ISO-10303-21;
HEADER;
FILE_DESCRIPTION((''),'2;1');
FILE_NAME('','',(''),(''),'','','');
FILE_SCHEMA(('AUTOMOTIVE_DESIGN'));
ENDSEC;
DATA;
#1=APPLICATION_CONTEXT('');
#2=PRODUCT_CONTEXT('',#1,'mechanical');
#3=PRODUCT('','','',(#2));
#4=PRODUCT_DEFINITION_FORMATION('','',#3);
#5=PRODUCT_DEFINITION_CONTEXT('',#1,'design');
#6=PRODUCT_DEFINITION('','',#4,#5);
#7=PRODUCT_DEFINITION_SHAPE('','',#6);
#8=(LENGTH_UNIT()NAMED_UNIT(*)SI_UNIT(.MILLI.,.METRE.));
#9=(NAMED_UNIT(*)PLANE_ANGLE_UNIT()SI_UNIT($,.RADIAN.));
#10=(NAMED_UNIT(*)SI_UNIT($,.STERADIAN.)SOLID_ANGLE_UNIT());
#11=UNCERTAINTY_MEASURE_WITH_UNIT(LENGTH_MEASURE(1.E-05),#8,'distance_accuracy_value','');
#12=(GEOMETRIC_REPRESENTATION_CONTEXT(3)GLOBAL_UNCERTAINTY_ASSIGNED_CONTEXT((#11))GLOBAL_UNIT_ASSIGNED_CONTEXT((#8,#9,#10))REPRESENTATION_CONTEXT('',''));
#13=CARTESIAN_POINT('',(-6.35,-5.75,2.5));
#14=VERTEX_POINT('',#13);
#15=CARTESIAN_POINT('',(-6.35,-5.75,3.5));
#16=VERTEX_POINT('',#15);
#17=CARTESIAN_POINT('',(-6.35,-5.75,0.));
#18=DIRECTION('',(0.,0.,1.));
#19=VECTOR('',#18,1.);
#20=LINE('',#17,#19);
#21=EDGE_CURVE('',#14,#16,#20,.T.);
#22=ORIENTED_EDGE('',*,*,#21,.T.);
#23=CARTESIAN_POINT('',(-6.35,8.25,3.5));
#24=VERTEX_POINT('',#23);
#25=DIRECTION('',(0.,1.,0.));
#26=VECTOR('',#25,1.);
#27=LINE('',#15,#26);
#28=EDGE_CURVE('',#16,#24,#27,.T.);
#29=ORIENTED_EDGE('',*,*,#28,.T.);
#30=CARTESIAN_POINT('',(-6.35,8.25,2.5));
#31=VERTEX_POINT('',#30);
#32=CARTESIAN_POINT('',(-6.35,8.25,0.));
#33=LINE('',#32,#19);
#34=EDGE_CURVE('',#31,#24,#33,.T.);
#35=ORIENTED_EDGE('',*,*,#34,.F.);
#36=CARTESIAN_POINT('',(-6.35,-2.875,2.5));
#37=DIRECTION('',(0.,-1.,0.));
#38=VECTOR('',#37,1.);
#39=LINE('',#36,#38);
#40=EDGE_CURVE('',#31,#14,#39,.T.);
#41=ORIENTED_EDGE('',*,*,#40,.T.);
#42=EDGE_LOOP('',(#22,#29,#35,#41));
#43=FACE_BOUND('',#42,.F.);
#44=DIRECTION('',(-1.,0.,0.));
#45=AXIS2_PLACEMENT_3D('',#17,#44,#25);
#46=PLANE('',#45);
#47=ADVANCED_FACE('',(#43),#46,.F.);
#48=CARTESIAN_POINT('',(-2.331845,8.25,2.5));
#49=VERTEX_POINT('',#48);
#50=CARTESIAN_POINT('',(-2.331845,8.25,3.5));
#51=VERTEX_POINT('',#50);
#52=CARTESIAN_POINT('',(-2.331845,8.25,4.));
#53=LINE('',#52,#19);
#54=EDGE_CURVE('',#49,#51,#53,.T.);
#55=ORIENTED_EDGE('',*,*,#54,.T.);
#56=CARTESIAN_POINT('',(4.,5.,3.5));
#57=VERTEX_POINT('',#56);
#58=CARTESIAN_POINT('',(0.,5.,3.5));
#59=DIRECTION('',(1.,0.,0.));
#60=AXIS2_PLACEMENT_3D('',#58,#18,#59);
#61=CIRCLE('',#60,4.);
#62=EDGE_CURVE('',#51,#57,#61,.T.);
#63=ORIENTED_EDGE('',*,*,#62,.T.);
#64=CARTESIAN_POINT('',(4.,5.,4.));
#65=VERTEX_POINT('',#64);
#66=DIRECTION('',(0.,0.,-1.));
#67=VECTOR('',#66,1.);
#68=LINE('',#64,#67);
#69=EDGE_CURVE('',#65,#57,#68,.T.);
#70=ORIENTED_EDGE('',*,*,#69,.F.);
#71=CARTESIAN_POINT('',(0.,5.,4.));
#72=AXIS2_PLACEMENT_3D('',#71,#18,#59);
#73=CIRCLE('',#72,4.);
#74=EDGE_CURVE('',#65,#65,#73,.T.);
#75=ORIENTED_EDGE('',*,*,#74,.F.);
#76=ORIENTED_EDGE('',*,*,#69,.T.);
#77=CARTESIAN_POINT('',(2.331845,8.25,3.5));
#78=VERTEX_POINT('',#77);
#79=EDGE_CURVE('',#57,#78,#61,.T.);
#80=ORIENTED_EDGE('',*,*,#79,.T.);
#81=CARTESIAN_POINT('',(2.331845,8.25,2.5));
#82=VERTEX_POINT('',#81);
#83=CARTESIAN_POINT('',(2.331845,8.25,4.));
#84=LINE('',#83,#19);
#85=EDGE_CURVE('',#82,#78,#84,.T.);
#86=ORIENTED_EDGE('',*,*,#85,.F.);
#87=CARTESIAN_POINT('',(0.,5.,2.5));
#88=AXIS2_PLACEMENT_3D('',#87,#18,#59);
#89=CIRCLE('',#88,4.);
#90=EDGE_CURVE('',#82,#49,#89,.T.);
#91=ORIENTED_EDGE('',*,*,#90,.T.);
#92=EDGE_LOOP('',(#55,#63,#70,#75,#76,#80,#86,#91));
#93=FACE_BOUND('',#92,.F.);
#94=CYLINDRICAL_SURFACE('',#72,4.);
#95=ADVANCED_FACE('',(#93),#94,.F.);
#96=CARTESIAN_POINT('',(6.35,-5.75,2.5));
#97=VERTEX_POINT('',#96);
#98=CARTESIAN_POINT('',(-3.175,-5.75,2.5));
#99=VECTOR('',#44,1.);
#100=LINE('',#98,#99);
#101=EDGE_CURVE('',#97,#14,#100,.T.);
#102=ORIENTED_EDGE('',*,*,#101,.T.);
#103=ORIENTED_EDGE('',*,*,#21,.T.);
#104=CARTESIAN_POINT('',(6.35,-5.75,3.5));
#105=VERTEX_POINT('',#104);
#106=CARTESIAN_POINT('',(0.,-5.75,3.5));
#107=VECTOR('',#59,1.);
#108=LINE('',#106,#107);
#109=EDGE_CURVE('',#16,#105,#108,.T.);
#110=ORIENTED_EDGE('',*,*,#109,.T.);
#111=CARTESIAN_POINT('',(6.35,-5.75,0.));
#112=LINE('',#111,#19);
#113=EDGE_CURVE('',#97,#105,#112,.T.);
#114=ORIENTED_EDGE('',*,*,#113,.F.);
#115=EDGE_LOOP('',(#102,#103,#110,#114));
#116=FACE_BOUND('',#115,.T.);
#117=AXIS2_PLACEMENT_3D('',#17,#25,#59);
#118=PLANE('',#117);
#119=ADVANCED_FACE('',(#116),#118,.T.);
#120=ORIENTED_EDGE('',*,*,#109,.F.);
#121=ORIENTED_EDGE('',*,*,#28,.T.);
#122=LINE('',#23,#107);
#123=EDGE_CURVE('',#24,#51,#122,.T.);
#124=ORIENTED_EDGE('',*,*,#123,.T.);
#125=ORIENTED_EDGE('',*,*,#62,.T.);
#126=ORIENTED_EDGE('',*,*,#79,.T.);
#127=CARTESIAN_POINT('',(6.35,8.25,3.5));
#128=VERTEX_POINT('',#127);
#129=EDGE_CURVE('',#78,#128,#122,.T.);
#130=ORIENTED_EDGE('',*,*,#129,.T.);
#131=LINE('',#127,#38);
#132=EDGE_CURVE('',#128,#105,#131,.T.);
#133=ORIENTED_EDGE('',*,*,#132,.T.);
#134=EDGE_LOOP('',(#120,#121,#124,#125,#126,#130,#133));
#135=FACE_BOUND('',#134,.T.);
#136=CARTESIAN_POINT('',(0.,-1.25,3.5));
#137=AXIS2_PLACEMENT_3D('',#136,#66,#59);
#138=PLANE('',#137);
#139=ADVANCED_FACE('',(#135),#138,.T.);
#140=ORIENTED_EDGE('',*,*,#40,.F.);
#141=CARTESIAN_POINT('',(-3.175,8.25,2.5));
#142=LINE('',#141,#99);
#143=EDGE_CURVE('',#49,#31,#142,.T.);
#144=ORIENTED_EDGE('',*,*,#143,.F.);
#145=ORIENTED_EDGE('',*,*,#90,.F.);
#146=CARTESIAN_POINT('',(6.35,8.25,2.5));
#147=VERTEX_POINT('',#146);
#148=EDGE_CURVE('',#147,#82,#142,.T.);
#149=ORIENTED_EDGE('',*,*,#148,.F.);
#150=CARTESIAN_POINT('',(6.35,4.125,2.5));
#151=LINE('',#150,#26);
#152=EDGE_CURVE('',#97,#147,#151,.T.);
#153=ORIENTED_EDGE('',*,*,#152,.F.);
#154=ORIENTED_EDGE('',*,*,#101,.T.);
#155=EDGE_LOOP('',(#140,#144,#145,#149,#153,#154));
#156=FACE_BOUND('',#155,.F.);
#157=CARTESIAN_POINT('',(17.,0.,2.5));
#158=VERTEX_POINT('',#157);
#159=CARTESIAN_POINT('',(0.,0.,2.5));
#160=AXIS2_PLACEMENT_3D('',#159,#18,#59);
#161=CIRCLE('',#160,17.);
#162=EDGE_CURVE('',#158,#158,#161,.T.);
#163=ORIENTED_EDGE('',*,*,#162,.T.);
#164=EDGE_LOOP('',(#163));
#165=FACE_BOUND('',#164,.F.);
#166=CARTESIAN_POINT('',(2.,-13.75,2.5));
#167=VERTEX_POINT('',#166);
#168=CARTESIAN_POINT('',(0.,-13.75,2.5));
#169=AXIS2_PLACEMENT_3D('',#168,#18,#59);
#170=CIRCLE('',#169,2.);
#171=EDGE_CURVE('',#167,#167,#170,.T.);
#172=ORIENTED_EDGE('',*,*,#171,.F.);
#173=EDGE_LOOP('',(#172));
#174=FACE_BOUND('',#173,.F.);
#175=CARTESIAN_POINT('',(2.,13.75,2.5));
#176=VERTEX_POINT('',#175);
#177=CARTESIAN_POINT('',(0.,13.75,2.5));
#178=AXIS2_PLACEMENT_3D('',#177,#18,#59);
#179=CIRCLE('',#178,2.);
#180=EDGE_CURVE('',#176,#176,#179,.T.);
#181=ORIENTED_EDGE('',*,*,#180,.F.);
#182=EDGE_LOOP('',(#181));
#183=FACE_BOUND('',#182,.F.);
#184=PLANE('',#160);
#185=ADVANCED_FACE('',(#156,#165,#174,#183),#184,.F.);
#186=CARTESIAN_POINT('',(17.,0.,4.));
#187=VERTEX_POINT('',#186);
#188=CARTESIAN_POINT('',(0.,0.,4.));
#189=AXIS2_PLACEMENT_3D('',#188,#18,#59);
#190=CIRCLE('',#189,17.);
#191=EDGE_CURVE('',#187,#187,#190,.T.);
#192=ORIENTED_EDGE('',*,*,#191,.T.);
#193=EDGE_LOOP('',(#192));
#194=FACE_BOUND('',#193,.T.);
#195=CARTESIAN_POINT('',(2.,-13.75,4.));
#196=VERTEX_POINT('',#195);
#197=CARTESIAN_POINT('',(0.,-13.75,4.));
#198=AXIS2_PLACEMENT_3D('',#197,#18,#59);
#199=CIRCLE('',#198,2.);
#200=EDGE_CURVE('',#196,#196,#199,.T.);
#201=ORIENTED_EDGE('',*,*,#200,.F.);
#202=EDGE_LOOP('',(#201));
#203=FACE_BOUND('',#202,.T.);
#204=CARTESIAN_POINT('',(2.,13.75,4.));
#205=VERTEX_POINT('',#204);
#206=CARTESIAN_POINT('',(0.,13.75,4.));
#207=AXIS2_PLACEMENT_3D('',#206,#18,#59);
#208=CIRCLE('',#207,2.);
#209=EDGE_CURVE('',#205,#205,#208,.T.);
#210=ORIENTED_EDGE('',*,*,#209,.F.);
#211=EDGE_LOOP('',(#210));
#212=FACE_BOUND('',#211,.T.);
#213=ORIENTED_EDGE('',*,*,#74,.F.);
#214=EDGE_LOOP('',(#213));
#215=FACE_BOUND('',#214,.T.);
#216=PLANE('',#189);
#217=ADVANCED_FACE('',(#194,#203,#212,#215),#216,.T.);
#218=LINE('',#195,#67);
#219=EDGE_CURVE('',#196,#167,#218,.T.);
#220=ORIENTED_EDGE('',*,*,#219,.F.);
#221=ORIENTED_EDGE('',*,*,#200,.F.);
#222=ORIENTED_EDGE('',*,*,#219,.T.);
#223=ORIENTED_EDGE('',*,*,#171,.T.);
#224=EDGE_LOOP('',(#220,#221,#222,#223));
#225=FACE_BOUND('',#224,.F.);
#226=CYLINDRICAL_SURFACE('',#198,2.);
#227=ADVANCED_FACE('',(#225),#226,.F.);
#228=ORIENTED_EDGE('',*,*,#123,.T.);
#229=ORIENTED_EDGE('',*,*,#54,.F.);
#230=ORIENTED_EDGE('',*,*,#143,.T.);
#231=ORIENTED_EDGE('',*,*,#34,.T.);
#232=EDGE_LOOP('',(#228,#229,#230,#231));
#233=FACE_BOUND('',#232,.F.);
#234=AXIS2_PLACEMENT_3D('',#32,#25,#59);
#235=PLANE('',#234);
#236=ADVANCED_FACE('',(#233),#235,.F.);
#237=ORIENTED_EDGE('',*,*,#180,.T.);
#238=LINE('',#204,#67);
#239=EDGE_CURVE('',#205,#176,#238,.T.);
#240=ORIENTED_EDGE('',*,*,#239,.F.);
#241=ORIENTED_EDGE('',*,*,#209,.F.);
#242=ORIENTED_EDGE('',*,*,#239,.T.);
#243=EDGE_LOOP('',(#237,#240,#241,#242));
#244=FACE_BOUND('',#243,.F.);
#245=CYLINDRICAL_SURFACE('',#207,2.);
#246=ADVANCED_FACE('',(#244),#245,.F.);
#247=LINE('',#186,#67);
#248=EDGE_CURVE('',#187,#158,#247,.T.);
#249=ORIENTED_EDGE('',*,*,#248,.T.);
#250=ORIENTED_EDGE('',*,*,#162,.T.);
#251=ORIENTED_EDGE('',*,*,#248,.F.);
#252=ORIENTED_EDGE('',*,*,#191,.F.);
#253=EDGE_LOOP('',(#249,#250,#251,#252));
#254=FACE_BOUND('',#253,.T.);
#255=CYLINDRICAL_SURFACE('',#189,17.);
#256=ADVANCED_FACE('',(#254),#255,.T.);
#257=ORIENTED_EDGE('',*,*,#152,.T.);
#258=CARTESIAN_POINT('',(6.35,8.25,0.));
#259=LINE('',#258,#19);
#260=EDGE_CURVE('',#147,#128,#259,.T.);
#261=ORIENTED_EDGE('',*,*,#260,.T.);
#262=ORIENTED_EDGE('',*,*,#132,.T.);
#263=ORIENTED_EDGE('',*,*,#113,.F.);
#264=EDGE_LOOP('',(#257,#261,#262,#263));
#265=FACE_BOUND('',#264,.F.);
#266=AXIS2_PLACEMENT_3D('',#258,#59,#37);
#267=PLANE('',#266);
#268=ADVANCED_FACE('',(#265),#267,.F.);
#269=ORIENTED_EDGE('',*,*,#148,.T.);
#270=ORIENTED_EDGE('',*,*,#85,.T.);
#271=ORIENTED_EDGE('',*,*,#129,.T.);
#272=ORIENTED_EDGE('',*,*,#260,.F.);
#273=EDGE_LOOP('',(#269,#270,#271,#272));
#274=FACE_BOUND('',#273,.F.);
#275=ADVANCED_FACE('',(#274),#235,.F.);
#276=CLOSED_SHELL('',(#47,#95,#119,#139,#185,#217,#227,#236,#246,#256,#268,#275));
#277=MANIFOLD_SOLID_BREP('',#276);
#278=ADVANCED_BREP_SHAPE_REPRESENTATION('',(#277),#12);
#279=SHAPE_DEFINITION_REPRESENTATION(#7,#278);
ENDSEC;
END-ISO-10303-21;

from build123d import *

# Parameters (mm, degrees)
F0_R     = 9.1
F0_W     = 12.7
F0_H     = 11.5
F1_DEPTH = 14
F3_DEPTH = 5
F5_R     = 17
F5_R_2   = 2
F5_R_3   = 4
F6_DEPTH = 1.5
F2_W     = 12.7
F2_H     = 9
F2_H_2   = 2.5
F8_DEPTH = 3.5


with BuildPart() as f1:
    # F0 (on Top) → F1 (new body)
    with BuildSketch(Plane.XY):
        Circle(F0_R)
        Rectangle(F0_W, F0_H, mode=Mode.SUBTRACT)
    extrude(amount=F1_DEPTH)

    # F2 (on face) → F3 (cut)
    with BuildSketch(Plane(origin=(0, 0, 0), x_dir=(1, 0, 0), z_dir=(0, 0, -1))):
        with BuildLine():
            Line((6.35, -6.5182436285), (6.35, -5.75))
            Line((6.35, -5.75), (-6.35, -5.75))
            Line((-6.35, -5.75), (-6.35, -6.5182436285))
            ThreePointArc((-6.35, -6.5182436285), (-5.1681747735, -7.4899912891), (-3.8402473879, -8.25))
            Line((-3.8402473879, -8.25), (3.8402473879, -8.25))
            ThreePointArc((3.8402473879, -8.25), (5.1681747735, -7.4899912891), (6.35, -6.5182436285))
        make_face()
    extrude(amount=-F3_DEPTH, mode=Mode.SUBTRACT)


with BuildPart() as f6:
    # F5 (on offset) → F6 (new body)
    with BuildSketch(Plane.XY.offset(4)):
        Circle(F5_R)
        with Locations((0, -13.75)):
            Circle(F5_R_2, mode=Mode.SUBTRACT)
        with Locations((0, 5)):
            Circle(F5_R_3, mode=Mode.SUBTRACT)
        with Locations((0, 13.75)):
            Circle(F5_R_2, mode=Mode.SUBTRACT)
    extrude(amount=-F6_DEPTH)

    # F2 (on face) → F8 (cut)
    with BuildSketch(Plane(origin=(0, 0, 0), x_dir=(1, 0, 0), z_dir=(0, 0, -1))):
        with Locations((0, 1.25)):
            Rectangle(F2_W, F2_H)
        with Locations((0, -4.5)):
            Rectangle(F2_W, F2_H_2)
        with BuildLine():
            ThreePointArc((-3.8402473879, -8.25), (-5.1681747735, -7.4899912891), (-6.35, -6.5182436285))
            Line((-6.35, -6.5182436285), (-6.35, -8.25))
            Line((-6.35, -8.25), (-3.8402473879, -8.25))
        make_face()
        with BuildLine():
            Line((6.35, -6.5182436285), (6.35, -5.75))
            Line((6.35, -5.75), (-6.35, -5.75))
            Line((-6.35, -5.75), (-6.35, -6.5182436285))
            ThreePointArc((-6.35, -6.5182436285), (-5.1681747735, -7.4899912891), (-3.8402473879, -8.25))
            Line((-3.8402473879, -8.25), (3.8402473879, -8.25))
            ThreePointArc((3.8402473879, -8.25), (5.1681747735, -7.4899912891), (6.35, -6.5182436285))
        make_face()
        with BuildLine():
            Line((6.35, -8.25), (6.35, -6.5182436285))
            ThreePointArc((6.35, -6.5182436285), (5.1681747735, -7.4899912891), (3.8402473879, -8.25))
            Line((3.8402473879, -8.25), (6.35, -8.25))
        make_face()
    extrude(amount=-F8_DEPTH, mode=Mode.SUBTRACT)


solid = f6.part
